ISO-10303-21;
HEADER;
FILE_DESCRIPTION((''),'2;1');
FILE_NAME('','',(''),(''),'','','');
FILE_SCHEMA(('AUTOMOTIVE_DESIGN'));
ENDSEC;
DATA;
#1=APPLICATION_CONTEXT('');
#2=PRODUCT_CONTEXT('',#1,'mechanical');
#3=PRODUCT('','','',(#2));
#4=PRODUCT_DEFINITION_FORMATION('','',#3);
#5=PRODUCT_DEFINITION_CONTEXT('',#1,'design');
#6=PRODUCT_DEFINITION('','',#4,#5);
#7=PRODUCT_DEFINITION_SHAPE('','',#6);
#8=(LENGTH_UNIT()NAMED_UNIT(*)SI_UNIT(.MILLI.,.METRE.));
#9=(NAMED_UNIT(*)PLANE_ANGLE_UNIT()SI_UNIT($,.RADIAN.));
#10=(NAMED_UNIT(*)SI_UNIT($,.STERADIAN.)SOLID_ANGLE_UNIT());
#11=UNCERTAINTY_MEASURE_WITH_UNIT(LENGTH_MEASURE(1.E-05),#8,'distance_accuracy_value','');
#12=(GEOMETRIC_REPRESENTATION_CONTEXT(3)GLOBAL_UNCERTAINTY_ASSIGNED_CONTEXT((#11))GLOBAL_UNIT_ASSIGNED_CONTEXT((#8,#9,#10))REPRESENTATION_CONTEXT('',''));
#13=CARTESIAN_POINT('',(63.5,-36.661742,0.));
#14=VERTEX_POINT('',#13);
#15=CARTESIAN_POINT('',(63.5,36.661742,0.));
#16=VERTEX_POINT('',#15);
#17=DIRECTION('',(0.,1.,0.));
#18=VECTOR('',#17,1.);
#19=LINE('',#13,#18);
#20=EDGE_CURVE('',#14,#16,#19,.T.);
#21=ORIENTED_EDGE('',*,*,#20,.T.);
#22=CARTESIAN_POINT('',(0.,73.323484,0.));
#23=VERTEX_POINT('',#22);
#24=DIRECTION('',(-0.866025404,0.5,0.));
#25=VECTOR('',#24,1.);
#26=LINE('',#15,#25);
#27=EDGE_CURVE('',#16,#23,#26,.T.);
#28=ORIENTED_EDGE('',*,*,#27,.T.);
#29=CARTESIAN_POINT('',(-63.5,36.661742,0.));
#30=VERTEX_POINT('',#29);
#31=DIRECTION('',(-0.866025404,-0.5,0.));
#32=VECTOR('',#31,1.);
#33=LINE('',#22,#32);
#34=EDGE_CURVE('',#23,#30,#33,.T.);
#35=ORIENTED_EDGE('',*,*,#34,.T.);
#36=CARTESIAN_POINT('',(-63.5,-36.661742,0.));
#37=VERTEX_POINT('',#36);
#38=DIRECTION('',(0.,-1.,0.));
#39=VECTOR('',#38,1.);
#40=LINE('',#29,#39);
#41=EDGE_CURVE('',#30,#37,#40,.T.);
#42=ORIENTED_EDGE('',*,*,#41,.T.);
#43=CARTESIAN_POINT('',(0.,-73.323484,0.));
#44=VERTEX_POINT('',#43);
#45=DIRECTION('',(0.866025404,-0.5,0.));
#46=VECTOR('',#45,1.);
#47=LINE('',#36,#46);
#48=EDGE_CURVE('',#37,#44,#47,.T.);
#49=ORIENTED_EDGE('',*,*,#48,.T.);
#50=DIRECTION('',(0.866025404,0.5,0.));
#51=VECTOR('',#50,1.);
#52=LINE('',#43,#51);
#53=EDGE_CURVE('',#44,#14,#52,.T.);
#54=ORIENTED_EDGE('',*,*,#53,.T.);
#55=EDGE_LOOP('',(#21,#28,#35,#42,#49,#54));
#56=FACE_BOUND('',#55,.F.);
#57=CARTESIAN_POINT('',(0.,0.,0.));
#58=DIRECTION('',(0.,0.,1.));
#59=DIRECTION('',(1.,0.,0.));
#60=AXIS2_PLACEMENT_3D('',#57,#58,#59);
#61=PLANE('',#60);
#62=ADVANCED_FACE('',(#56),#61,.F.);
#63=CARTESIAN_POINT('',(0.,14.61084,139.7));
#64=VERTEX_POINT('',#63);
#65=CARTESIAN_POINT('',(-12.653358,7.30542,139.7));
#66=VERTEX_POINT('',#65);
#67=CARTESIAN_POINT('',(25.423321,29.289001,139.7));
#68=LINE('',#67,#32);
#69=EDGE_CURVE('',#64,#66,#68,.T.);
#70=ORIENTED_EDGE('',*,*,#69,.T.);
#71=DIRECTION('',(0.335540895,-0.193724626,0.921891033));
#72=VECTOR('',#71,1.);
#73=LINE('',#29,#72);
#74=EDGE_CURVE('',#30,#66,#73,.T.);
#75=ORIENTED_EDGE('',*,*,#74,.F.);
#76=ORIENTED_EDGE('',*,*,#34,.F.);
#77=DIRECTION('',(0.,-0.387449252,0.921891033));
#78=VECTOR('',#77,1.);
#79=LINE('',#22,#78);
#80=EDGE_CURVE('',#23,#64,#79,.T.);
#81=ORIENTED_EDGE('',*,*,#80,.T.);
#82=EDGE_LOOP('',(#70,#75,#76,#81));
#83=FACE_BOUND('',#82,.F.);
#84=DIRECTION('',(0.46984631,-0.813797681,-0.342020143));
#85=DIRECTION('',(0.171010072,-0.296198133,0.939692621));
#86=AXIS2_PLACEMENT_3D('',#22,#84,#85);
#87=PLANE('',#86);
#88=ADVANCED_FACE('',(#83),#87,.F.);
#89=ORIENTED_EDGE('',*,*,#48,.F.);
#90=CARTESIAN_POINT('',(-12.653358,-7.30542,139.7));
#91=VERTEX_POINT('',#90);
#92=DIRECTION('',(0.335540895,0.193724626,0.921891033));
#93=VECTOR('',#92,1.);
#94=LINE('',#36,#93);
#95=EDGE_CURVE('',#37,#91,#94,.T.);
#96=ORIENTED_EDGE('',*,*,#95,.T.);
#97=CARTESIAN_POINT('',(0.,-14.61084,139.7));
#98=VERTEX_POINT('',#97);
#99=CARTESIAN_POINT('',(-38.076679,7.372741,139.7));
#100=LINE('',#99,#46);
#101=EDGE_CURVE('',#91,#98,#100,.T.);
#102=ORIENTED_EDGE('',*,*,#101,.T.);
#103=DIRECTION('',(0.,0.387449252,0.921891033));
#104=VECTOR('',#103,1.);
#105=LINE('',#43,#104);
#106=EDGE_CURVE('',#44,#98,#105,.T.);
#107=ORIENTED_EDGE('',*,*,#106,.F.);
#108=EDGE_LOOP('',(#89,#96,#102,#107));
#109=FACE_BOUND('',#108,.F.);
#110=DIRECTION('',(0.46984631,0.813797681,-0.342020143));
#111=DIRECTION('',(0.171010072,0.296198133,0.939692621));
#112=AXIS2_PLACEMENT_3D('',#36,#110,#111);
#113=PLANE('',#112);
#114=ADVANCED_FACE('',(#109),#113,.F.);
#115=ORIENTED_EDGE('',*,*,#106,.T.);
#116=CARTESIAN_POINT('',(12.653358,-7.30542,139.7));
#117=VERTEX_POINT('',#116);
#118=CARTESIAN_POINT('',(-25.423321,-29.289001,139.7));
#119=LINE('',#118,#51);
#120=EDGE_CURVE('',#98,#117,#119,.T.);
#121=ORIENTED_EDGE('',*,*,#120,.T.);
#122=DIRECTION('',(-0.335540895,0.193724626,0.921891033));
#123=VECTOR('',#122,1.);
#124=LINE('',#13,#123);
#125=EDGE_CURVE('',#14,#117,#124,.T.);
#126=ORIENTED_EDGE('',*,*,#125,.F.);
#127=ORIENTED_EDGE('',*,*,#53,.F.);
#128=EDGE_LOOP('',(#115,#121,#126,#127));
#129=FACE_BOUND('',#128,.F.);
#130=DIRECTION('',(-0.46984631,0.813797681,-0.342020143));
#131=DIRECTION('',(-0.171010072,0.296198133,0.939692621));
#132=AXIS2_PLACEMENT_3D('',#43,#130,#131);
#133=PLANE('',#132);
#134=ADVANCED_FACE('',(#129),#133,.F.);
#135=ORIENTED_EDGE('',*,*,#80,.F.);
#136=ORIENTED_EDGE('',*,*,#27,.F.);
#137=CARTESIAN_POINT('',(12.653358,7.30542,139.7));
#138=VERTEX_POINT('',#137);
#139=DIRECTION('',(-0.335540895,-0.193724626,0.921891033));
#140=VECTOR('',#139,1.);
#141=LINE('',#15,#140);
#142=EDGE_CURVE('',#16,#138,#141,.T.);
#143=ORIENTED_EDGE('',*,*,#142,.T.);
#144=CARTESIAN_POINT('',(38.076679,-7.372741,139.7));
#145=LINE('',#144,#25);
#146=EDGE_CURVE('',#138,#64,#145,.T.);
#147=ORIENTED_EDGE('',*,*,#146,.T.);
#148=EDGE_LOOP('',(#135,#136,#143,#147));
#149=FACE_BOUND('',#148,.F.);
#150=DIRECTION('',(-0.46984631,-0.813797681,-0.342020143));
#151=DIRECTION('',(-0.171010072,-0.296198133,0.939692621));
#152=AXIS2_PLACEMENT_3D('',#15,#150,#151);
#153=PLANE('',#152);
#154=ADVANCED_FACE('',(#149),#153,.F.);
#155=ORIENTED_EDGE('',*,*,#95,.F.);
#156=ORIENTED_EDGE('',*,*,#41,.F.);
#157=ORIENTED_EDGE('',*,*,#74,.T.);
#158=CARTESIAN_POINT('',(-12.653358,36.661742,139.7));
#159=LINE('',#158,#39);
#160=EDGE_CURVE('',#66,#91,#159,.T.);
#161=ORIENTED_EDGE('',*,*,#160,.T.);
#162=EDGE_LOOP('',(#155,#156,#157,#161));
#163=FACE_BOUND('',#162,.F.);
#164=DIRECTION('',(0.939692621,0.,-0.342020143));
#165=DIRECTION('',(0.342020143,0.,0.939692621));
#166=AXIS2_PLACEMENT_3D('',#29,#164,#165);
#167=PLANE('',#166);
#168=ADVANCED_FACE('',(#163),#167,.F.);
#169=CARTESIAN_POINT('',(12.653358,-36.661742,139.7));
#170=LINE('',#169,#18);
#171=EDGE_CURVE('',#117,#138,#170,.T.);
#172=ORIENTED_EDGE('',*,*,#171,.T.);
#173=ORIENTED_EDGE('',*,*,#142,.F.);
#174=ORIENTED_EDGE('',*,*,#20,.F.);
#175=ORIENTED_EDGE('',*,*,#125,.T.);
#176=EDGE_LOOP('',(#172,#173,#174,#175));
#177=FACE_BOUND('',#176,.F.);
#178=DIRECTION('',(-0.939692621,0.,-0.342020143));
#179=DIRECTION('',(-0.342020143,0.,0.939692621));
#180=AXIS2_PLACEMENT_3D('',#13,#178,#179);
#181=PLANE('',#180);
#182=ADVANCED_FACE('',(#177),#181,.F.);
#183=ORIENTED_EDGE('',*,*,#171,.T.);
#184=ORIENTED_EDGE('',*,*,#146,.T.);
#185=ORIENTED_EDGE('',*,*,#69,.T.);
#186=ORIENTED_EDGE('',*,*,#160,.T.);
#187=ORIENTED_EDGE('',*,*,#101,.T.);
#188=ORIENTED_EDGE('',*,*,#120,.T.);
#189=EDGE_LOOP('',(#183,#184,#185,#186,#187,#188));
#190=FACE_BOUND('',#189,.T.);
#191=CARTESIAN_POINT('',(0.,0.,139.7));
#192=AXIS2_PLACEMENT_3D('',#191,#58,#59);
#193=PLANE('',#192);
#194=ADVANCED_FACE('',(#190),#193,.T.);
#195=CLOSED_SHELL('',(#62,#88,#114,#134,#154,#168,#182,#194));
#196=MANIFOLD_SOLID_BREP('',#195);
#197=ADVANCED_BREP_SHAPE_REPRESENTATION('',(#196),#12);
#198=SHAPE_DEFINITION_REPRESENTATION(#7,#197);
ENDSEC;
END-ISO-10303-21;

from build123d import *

# Parameters (mm, degrees)
F1_DEPTH = 139.7
F1_TAPER = 20


with BuildPart() as f1:
    # F0 (on Top) → F1 (new body)
    with BuildSketch(Plane.XY):
        Polygon((63.5, -36.6617420935), (63.5, 36.6617420935), (0, 73.3234841871), (-63.5, 36.6617420935), (-63.5, -36.6617420935), (0, -73.3234841871), align=None)
    extrude(amount=F1_DEPTH, taper=F1_TAPER)


solid = f1.part
